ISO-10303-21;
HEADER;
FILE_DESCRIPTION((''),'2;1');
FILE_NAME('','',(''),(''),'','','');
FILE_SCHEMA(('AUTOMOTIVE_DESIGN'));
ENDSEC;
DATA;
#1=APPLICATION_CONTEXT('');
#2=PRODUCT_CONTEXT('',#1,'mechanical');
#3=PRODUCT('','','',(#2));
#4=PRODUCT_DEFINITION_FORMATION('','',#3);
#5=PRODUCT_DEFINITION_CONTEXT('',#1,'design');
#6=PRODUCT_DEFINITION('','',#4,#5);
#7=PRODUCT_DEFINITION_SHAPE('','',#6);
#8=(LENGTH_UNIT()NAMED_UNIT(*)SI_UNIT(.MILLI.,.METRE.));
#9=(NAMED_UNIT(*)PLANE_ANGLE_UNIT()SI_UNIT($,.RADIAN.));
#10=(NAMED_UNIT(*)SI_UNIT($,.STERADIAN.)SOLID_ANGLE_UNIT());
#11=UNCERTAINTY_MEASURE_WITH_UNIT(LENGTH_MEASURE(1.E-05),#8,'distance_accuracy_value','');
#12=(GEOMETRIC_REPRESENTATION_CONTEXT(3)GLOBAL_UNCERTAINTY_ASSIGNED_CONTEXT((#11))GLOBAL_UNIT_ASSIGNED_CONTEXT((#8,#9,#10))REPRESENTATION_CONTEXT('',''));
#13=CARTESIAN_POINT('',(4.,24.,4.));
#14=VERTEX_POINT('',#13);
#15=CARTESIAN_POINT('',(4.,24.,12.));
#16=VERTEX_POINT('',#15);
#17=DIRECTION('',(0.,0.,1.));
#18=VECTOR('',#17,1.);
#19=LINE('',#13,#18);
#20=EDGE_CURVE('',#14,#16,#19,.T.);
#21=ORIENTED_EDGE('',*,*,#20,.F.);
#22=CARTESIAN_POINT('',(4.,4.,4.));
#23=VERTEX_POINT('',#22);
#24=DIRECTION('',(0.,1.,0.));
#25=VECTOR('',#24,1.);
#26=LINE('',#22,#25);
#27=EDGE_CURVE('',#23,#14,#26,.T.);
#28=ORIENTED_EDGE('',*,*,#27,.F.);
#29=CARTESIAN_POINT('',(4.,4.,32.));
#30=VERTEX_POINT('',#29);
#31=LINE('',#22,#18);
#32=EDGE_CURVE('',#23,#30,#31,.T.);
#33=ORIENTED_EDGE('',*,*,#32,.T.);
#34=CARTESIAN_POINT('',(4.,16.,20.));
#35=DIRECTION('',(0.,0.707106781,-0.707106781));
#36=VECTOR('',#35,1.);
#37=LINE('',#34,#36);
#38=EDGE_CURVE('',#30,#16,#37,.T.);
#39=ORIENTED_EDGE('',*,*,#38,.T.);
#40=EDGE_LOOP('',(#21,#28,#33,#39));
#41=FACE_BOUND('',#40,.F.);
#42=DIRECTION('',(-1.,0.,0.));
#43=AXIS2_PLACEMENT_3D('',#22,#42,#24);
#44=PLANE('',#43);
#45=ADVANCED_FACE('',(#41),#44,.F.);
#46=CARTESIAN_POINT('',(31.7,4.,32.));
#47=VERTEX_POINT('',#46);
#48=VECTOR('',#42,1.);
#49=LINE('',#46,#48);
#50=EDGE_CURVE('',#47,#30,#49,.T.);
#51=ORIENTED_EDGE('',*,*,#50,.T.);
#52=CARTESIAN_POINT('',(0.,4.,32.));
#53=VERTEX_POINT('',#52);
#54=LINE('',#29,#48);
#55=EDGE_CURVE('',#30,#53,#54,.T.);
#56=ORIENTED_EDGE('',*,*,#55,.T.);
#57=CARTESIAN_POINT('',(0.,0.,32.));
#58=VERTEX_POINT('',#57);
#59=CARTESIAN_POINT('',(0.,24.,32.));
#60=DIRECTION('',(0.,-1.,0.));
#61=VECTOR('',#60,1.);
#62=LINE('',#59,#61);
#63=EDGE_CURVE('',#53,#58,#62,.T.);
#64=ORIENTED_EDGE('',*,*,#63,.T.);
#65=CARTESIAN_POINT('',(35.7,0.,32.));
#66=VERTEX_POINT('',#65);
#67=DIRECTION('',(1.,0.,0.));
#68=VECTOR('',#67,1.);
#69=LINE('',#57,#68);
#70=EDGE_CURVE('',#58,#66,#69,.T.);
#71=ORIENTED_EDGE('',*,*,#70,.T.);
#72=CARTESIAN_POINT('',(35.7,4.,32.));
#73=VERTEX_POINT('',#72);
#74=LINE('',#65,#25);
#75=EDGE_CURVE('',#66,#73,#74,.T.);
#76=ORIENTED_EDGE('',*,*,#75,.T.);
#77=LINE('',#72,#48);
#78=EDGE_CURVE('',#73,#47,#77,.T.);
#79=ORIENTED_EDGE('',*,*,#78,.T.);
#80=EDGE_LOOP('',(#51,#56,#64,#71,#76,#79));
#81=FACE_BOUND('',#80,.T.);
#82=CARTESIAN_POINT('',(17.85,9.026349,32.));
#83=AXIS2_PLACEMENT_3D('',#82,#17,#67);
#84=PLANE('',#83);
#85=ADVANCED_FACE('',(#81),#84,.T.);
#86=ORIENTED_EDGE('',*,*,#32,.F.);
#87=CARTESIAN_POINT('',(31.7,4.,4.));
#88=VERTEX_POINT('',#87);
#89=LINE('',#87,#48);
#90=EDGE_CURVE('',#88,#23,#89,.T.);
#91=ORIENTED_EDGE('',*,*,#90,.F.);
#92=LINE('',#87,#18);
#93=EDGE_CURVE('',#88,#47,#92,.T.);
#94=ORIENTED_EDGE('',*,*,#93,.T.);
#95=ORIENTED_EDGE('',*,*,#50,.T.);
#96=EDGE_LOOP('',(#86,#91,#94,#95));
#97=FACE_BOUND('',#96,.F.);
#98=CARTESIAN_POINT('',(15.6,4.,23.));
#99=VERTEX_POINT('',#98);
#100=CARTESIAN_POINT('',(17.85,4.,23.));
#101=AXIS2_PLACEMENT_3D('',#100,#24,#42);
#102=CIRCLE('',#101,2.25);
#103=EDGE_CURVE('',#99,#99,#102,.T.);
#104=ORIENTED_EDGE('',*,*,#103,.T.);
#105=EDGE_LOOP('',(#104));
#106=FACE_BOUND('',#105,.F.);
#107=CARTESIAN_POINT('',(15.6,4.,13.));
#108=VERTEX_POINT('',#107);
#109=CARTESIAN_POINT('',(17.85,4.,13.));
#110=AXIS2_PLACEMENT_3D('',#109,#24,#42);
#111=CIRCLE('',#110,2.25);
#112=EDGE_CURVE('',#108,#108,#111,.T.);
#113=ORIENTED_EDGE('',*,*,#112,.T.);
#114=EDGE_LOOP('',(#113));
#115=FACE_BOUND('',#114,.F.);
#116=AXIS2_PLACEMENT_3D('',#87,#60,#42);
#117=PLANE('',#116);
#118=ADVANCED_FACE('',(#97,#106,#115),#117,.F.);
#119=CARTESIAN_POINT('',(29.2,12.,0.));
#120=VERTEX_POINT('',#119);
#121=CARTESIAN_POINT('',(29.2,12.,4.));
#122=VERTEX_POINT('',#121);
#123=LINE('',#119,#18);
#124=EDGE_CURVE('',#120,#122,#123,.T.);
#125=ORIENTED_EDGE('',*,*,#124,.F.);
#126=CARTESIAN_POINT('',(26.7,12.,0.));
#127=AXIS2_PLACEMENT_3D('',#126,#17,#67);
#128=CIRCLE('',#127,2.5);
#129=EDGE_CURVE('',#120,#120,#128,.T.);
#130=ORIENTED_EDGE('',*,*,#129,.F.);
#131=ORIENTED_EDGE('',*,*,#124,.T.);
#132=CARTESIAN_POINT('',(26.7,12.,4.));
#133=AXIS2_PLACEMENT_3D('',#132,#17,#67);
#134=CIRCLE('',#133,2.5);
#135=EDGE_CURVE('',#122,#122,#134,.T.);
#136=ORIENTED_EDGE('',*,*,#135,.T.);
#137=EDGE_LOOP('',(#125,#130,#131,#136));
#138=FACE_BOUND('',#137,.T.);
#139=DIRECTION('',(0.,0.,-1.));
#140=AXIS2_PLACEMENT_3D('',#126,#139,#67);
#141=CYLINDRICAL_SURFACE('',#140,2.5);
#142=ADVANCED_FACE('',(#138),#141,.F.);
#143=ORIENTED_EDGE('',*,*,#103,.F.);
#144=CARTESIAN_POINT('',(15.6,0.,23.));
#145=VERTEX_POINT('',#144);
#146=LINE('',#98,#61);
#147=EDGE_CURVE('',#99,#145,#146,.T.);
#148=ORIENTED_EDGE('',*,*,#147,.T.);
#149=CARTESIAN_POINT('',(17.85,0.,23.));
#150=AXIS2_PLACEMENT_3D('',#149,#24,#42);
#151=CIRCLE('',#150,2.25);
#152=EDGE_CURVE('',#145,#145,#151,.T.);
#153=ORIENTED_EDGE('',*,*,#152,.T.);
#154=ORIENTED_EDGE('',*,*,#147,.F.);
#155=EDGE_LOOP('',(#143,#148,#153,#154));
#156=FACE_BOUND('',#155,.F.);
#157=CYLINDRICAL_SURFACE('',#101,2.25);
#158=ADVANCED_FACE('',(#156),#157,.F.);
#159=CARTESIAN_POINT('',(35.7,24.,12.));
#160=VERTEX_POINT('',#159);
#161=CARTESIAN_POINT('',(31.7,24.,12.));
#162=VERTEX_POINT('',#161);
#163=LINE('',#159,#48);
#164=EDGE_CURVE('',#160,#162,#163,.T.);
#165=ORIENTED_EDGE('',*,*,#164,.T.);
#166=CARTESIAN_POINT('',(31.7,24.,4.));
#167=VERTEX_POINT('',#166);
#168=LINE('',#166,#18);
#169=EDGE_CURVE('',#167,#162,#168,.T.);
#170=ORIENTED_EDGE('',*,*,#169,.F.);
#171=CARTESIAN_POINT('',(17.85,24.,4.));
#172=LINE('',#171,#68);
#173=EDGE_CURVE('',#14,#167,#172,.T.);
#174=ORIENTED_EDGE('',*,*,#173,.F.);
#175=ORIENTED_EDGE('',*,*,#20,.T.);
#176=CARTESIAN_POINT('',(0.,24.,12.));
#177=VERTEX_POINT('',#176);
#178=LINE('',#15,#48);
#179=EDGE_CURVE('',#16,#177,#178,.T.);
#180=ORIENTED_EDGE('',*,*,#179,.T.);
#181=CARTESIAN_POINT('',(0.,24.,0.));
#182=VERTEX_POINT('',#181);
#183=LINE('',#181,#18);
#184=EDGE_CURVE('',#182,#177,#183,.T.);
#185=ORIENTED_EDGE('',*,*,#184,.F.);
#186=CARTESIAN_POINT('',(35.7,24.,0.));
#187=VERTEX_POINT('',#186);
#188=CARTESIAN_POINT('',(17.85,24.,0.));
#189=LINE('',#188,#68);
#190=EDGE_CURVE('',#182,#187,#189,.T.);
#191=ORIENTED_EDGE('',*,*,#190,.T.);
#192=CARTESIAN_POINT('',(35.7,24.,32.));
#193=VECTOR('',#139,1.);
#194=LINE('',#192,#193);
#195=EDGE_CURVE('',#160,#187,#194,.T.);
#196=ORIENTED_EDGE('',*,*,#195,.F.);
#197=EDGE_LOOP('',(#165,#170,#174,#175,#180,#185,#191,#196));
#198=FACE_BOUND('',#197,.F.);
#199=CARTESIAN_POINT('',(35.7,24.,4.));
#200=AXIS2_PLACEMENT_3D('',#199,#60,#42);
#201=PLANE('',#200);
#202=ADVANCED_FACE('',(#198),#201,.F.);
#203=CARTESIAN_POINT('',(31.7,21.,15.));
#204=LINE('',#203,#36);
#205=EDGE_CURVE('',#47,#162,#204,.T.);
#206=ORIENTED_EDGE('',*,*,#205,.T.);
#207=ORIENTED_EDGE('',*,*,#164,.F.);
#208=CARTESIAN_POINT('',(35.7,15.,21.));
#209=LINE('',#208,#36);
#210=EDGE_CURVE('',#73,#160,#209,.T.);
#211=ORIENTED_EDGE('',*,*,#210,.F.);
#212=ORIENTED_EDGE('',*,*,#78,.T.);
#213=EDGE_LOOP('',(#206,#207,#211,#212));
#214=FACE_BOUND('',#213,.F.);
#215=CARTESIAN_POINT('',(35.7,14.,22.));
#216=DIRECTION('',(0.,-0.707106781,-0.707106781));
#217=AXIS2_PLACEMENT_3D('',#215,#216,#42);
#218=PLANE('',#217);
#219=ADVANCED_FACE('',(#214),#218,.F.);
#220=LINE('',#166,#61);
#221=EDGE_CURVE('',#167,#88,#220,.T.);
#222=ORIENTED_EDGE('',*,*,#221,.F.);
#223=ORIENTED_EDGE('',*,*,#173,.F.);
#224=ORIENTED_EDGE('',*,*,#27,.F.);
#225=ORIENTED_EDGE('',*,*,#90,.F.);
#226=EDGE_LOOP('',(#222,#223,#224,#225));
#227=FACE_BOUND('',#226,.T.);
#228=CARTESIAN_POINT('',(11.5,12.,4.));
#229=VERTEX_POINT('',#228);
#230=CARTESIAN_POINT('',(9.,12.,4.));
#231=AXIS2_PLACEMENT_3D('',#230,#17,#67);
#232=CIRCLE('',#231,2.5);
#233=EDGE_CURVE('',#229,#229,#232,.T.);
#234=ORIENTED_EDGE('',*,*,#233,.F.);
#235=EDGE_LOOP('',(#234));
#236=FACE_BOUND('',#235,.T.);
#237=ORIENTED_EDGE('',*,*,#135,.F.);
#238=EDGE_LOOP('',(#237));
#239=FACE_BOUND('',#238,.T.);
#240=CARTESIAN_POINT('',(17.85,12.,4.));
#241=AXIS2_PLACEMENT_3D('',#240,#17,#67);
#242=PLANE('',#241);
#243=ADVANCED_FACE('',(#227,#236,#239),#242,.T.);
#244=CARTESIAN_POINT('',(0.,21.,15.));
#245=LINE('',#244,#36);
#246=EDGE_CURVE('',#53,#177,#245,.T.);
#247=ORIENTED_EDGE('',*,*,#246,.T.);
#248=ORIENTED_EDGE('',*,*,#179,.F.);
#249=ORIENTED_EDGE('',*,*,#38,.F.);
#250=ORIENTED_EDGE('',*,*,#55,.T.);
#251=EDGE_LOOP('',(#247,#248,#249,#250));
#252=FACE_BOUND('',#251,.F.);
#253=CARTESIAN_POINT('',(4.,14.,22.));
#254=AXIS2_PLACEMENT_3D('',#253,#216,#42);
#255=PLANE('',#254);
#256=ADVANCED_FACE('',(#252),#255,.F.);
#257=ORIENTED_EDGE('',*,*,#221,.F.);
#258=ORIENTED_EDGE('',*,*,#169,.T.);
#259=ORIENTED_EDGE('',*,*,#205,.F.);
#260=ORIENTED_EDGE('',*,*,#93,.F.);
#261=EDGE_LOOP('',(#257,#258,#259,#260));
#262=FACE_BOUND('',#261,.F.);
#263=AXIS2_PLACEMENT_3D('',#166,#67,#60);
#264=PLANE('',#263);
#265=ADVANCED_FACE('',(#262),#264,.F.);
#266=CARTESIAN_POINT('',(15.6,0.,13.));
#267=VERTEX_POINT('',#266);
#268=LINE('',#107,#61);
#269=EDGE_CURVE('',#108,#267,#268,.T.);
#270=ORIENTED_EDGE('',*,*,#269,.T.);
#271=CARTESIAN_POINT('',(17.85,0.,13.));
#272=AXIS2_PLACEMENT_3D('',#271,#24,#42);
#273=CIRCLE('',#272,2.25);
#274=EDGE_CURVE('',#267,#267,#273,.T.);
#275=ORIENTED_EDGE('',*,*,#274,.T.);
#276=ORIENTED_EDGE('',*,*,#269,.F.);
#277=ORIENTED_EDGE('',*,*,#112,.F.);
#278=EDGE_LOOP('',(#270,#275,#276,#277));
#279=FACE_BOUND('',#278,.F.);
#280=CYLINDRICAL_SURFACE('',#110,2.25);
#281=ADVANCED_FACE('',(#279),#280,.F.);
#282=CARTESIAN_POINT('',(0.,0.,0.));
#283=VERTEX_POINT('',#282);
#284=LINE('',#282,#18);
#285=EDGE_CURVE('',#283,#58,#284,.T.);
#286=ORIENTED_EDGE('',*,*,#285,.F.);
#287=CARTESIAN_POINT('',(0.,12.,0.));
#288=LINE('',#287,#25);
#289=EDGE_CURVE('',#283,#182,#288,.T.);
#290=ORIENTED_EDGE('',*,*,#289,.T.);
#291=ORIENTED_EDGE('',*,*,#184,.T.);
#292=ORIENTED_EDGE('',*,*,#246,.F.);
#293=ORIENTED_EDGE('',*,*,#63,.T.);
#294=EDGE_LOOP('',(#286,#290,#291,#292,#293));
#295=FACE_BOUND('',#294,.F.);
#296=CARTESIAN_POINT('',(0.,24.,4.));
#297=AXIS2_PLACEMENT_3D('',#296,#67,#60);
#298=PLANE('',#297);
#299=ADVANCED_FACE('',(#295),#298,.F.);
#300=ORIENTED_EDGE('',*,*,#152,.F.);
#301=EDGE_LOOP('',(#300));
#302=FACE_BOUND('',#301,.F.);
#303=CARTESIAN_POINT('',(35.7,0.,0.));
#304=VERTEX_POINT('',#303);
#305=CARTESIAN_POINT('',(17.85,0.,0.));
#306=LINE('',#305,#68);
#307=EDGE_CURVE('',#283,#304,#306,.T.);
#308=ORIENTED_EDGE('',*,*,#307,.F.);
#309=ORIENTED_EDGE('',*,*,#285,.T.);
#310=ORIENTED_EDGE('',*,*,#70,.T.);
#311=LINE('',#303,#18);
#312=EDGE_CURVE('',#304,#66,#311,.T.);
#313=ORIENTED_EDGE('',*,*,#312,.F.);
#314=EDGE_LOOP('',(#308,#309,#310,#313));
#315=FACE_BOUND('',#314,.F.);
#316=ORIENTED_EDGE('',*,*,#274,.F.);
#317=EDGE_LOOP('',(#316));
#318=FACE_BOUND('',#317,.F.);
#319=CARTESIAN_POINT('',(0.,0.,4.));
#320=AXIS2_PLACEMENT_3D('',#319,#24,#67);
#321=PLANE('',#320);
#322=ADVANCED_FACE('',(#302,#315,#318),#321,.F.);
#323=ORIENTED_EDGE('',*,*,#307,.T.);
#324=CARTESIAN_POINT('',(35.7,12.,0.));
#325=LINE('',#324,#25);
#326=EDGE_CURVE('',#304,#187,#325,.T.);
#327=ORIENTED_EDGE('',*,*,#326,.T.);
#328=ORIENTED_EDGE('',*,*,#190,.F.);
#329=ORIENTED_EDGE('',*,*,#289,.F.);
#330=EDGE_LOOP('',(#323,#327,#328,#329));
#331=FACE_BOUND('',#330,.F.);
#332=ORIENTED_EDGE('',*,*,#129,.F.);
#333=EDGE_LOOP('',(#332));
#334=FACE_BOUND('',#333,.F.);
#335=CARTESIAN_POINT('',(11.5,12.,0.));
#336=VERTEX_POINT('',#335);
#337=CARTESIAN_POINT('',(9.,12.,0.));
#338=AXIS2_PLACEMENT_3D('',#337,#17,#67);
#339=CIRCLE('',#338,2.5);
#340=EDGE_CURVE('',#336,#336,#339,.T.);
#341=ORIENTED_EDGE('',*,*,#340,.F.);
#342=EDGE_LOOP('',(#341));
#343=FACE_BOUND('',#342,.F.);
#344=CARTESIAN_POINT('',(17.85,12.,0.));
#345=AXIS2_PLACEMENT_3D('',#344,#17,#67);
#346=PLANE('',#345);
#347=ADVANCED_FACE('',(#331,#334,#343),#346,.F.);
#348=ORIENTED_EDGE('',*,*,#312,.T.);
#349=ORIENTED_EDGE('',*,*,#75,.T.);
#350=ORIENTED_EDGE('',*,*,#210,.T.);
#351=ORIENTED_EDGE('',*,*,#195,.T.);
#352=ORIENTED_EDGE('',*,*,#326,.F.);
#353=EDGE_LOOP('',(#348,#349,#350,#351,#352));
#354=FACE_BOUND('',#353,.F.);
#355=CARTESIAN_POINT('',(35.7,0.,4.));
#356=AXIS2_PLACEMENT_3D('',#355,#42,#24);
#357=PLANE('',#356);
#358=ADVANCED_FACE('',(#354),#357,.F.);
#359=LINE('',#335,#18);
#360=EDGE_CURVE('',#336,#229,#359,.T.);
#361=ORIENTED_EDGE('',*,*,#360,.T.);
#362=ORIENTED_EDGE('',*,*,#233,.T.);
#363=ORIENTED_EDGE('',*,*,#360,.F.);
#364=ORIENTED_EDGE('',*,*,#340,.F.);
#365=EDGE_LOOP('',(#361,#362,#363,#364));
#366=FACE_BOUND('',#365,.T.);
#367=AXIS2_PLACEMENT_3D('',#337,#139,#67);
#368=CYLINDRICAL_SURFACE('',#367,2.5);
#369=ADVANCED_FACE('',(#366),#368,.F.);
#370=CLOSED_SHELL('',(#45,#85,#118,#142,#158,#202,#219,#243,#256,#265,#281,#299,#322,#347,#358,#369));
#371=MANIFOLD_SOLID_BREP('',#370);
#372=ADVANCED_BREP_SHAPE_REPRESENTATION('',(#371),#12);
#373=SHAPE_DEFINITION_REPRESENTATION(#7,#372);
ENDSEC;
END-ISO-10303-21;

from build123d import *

# Parameters (mm, degrees)
F0_W     = 35.7
F0_H     = 24
F0_R     = 2.5
F1_DEPTH = 4
F3_DEPTH = 28
F4_SIZE  = 20
F5_R     = 2.25
F6_DEPTH = 4


with BuildPart() as f1:
    # F0 (on Top) → F1 (new body)
    with BuildSketch(Plane.XY):
        with Locations((17.85, 12)):
            Rectangle(F0_W, F0_H)
        with Locations((9, 12)):
            Circle(F0_R, mode=Mode.SUBTRACT)
        with Locations((26.7, 12)):
            Circle(F0_R, mode=Mode.SUBTRACT)
    extrude(amount=F1_DEPTH)

    # F2 (on face) → F3 (join)
    with BuildSketch(Plane.XY.offset(4)):
        Polygon((31.7, 4), (4, 4), (4, 20), (4, 24), (0, 24), (0, 0), (35.7, 0), (35.7, 24), (31.7, 24), (31.7, 20), align=None)
    extrude(amount=F3_DEPTH)

    # F4
    f4_edges = [f1.edges().sort_by_distance(p)[0] for p in [
        (33.7, 24, 32),
        (2, 24, 32),
    ]]
    chamfer(f4_edges, length=F4_SIZE)

    # F5 (on face) → F6 (cut)
    with BuildSketch(Plane(origin=(0, 4, 0), x_dir=(-1, 0, 0), z_dir=(0, 1, 0))):
        with Locations((-17.85, 23)):
            Circle(F5_R)
        with Locations((-17.85, 13)):
            Circle(F5_R)
    extrude(amount=-F6_DEPTH, mode=Mode.SUBTRACT)


solid = f1.part
